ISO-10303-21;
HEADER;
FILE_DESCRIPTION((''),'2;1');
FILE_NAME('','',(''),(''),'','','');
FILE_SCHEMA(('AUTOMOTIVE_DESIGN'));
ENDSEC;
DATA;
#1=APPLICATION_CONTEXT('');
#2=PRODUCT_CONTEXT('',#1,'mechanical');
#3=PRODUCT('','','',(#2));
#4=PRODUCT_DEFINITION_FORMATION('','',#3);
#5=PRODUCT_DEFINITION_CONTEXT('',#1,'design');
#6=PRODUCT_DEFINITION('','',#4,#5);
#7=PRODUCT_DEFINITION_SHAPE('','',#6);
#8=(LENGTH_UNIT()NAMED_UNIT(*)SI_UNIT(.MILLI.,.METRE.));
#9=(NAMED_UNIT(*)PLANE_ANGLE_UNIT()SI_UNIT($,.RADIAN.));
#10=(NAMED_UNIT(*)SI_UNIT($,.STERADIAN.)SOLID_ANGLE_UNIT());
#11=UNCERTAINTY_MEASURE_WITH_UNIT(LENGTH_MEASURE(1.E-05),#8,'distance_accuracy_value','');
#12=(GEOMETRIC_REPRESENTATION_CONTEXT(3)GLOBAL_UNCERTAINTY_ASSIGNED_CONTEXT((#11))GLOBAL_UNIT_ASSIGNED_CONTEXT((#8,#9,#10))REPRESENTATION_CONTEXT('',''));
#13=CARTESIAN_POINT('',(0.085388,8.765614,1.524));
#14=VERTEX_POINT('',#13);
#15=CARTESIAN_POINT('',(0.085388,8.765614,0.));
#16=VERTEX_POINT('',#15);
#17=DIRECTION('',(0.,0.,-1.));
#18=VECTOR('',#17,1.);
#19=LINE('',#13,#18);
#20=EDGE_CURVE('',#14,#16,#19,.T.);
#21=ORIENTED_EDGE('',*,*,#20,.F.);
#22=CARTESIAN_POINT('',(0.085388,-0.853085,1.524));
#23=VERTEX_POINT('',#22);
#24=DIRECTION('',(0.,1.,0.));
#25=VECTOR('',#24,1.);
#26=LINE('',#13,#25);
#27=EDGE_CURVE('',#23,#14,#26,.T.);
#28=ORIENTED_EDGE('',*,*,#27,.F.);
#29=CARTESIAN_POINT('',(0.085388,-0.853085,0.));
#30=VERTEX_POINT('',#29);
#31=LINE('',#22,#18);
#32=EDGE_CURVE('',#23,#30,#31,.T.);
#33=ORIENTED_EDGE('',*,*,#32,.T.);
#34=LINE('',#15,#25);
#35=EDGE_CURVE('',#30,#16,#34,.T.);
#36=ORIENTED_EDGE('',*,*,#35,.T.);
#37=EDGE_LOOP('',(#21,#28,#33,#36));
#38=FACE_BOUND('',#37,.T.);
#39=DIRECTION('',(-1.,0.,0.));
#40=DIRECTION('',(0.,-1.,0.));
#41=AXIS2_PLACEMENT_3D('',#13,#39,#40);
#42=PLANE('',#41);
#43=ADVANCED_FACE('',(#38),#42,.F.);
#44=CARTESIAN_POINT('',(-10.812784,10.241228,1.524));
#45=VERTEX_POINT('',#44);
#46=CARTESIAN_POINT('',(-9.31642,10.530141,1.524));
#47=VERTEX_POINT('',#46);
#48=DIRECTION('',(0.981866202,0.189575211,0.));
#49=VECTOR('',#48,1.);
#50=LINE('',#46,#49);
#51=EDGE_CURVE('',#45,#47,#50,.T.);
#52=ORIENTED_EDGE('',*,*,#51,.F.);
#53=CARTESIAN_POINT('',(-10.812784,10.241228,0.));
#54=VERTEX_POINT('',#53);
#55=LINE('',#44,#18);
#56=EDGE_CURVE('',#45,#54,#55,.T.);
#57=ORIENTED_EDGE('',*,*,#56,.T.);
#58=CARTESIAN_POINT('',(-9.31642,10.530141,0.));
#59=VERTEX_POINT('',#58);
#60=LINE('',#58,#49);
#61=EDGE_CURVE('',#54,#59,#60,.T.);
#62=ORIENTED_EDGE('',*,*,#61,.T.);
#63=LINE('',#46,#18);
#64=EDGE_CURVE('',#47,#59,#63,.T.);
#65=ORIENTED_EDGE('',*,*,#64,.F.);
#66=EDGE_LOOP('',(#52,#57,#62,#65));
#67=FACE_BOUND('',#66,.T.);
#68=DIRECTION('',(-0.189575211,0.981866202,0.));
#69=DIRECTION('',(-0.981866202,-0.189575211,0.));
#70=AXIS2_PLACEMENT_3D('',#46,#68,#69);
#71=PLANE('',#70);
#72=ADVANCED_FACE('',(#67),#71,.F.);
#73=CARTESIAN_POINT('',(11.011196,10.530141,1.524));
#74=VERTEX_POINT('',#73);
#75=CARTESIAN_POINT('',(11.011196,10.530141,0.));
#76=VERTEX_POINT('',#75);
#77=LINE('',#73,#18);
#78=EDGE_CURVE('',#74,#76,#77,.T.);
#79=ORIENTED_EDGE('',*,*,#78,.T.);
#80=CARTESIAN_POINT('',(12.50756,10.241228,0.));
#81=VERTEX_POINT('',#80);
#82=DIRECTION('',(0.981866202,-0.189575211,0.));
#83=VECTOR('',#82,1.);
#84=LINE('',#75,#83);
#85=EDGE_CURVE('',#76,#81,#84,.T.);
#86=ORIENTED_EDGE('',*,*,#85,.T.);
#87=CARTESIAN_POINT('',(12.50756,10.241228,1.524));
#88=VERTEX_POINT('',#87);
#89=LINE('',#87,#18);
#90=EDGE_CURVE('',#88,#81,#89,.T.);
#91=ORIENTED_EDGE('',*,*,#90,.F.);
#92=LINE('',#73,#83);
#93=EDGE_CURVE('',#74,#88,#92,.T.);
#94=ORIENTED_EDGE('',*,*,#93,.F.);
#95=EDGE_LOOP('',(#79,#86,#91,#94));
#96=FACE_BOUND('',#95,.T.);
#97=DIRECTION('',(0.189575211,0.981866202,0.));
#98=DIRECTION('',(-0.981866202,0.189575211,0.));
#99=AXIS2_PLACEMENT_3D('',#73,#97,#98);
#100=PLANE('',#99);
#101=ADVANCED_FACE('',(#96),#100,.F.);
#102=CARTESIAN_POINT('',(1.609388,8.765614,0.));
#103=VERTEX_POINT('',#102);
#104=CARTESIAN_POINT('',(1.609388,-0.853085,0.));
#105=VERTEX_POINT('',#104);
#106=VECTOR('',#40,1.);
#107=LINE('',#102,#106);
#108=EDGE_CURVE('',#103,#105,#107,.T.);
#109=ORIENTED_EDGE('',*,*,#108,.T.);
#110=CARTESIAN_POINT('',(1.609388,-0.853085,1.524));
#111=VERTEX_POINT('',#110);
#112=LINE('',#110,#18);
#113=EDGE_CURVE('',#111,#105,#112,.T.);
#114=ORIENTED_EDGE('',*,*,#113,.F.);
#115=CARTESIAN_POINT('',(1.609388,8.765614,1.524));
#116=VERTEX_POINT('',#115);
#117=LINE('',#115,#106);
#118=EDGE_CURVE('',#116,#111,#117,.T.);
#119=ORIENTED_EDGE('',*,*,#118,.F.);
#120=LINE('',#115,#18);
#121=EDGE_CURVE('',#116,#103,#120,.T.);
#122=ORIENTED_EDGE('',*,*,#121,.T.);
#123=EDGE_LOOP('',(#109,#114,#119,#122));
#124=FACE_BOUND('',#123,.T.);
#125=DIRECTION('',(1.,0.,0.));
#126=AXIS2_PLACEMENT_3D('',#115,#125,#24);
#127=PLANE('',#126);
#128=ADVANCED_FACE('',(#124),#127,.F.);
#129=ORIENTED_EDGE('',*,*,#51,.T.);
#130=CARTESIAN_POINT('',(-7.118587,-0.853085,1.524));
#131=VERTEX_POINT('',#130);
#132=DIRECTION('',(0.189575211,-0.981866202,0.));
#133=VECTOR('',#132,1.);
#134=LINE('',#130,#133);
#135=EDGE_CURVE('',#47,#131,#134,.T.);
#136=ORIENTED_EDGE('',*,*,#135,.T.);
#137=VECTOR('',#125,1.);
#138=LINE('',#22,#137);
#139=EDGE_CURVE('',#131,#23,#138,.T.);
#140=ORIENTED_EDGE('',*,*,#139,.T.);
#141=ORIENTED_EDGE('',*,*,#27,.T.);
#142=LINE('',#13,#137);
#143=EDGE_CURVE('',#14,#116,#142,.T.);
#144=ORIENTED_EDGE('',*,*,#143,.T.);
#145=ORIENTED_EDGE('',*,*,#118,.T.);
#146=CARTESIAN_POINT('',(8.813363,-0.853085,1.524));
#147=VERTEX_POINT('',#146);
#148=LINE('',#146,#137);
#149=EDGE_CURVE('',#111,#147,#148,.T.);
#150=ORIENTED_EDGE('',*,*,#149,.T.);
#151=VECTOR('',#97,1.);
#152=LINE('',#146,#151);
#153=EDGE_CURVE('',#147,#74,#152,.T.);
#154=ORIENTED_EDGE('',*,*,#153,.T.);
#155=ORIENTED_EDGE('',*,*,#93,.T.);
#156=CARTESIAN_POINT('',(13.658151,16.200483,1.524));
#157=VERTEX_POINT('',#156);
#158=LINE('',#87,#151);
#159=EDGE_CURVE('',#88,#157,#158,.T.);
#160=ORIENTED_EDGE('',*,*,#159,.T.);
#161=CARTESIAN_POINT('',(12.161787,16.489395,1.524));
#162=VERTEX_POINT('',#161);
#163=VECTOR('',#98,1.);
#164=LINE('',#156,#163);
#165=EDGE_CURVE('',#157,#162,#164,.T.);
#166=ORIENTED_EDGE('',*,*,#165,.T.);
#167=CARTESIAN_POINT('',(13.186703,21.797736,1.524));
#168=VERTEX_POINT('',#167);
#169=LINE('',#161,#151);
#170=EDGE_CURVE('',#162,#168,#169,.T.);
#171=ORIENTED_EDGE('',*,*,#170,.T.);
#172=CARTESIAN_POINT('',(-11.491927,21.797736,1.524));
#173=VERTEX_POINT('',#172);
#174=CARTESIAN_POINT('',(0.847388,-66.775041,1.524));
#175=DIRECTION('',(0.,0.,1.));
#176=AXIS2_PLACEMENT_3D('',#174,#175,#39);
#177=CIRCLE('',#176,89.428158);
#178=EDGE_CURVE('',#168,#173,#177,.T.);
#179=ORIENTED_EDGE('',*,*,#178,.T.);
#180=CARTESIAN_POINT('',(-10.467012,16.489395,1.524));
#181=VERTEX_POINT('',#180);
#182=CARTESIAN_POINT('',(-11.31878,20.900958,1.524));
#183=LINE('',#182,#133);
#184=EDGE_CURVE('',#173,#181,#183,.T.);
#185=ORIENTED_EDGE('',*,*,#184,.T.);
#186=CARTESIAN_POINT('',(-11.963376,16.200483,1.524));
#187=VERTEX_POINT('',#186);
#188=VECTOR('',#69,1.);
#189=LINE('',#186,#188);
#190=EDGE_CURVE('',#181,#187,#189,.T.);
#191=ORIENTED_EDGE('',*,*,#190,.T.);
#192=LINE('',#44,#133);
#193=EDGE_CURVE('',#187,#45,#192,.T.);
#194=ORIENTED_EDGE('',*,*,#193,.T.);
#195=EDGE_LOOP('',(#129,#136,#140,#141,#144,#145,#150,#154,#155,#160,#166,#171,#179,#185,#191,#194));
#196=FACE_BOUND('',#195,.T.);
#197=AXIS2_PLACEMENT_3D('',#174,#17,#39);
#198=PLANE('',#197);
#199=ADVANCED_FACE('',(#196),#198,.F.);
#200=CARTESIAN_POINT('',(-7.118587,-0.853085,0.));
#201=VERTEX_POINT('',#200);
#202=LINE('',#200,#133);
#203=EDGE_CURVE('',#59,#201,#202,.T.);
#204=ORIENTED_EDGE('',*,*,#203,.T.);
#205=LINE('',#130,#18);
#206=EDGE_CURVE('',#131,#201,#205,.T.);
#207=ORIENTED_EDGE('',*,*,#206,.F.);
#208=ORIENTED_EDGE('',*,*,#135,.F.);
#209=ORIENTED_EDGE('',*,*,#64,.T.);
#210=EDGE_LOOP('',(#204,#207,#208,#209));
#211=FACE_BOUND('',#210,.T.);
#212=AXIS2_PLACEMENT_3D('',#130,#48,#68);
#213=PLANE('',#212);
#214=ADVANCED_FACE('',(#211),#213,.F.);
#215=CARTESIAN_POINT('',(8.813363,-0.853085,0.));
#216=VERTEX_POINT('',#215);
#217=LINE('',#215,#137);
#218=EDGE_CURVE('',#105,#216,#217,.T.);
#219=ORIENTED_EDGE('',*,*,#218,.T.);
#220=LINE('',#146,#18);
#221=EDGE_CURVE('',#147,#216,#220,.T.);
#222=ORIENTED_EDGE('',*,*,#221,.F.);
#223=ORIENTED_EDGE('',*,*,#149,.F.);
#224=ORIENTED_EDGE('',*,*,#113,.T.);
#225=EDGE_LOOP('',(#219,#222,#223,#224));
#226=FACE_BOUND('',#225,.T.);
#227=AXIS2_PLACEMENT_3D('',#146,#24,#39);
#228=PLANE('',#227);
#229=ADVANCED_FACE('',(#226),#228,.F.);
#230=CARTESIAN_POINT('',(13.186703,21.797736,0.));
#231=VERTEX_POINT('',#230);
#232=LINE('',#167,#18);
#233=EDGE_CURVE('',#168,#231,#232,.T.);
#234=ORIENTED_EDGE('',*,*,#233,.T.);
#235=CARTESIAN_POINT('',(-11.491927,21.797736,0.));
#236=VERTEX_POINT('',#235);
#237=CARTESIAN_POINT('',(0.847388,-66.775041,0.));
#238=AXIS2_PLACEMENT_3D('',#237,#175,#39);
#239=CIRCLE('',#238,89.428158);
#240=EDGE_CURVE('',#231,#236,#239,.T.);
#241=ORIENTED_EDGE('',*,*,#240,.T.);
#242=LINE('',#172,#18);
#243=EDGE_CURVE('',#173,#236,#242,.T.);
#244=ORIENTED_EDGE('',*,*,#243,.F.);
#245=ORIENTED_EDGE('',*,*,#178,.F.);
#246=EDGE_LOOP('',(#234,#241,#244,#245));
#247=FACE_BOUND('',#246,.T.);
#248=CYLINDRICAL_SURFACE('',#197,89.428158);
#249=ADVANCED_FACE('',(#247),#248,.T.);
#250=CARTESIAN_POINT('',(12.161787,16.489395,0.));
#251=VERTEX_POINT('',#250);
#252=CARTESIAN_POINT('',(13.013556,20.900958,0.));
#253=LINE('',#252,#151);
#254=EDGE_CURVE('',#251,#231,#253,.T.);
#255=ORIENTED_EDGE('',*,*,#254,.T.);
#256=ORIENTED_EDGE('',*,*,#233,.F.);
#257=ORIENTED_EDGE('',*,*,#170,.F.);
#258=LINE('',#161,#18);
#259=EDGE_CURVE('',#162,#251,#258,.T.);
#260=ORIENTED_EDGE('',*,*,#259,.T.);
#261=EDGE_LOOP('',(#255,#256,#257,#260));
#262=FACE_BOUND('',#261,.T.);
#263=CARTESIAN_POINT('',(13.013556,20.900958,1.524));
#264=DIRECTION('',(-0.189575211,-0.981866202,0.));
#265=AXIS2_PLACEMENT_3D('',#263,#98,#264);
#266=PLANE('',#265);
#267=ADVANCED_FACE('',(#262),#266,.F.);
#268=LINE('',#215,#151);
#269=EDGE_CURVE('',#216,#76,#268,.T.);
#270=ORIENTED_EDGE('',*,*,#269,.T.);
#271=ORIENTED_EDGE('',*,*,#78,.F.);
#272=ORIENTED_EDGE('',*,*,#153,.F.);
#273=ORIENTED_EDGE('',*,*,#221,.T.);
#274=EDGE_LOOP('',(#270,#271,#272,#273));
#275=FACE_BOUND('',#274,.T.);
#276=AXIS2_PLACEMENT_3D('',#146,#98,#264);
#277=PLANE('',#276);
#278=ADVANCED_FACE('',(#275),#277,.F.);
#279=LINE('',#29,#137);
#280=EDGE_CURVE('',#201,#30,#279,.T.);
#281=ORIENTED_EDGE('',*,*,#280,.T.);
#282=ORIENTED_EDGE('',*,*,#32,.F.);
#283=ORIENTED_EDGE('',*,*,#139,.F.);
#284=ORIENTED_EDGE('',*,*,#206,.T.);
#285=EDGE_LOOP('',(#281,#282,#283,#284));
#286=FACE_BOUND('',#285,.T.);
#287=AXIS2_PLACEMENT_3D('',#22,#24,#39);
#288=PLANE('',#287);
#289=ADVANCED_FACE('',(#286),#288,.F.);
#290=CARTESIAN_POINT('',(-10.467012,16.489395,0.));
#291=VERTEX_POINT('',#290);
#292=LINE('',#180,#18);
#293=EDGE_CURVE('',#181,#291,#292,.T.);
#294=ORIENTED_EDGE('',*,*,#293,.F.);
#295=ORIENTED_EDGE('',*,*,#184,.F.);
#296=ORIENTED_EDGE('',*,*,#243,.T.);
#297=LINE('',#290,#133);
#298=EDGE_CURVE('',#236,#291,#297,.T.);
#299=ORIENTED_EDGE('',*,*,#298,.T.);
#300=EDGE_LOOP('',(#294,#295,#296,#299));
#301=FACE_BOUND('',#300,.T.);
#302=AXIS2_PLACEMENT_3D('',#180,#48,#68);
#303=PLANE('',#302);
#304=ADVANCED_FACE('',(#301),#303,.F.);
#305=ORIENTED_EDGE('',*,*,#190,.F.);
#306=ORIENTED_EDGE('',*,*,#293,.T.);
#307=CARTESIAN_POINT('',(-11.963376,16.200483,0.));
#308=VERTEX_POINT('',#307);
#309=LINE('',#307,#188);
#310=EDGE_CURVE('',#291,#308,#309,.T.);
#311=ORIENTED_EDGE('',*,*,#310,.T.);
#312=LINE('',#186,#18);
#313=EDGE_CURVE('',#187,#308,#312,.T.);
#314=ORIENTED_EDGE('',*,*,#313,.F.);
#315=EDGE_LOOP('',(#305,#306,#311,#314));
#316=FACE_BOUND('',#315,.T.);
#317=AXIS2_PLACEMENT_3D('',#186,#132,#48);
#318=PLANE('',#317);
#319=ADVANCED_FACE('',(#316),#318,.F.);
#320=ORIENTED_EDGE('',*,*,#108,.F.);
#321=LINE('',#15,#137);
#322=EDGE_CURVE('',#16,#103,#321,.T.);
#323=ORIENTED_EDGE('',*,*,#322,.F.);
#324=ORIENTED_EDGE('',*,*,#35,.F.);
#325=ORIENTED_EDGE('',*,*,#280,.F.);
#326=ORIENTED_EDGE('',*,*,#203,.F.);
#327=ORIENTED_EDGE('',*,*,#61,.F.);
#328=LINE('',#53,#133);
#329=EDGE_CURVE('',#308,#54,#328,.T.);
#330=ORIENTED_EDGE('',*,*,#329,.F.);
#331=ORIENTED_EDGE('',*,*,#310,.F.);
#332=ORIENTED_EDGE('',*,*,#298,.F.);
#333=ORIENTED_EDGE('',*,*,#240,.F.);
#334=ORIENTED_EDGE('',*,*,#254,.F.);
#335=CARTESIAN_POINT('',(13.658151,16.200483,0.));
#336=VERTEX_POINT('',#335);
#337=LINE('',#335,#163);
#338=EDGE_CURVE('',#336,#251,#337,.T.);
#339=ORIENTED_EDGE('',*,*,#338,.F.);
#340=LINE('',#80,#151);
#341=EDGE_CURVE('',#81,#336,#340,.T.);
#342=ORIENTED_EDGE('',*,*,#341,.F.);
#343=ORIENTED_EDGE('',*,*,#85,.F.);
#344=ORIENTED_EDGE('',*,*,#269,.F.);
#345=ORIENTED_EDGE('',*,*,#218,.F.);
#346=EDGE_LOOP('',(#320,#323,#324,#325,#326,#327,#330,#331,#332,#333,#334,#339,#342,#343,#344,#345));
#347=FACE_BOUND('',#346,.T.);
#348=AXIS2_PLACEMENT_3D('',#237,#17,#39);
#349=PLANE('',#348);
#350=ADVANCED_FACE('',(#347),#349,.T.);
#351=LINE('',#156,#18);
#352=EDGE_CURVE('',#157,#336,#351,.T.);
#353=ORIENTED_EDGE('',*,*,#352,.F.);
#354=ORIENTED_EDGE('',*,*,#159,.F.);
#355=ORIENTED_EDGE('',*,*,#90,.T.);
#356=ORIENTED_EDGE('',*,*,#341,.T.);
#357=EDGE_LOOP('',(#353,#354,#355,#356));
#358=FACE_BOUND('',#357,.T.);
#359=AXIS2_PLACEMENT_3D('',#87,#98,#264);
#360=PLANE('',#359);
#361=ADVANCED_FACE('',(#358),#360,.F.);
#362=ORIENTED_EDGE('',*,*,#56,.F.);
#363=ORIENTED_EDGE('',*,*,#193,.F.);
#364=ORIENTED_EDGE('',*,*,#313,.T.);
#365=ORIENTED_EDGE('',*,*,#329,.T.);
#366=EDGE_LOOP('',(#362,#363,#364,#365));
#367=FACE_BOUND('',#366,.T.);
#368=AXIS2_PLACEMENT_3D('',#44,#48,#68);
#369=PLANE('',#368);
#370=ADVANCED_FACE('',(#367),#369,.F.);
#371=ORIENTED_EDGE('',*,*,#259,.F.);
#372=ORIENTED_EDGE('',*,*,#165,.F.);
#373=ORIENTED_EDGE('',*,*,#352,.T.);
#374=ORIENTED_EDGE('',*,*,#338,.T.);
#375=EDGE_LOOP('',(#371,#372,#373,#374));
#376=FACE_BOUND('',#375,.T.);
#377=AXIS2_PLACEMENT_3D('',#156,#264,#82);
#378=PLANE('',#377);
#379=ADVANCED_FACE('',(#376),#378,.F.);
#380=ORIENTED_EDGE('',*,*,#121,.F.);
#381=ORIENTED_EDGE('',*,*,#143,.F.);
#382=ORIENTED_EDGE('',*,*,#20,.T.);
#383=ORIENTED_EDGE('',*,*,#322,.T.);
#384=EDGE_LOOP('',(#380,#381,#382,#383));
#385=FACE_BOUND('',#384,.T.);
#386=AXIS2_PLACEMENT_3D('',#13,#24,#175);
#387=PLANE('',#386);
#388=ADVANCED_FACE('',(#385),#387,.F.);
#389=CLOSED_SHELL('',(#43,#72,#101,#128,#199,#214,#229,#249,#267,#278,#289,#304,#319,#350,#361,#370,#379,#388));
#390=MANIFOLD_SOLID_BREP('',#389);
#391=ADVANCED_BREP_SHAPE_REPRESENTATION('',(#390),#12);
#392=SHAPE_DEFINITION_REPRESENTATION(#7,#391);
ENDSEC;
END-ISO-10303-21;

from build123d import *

# Parameters (mm, degrees)
BOSS_EXTRUDE1_DEPTH = 1.524


with BuildPart() as part:
    # Sketch1 → Boss-Extrude1 (new body)
    with BuildSketch(Plane.XY):
        with BuildLine():
            Line((0.085387869, 8.76561387), (0.085387869, -0.853085355))
            Line((0.085387869, -0.853085355), (-7.118587452, -0.853085355))
            Line((-7.118587452, -0.853085355), (-9.316419949, 10.53014054))
            Line((-9.316419949, 10.53014054), (-10.812784042, 10.241227919))
            Line((-10.812784042, 10.241227919), (-11.963375606, 16.20048264))
            Line((-11.963375606, 16.20048264), (-10.467011514, 16.489395261))
            Line((-10.467011514, 16.489395261), (-11.318780173, 20.900957592))
            Line((-11.318780173, 20.900957592), (-11.491926915, 21.797735888))
            ThreePointArc((-11.491926915, 21.797735888), (0.847387869, 22.653117291), (13.186702652, 21.797735888))
            Line((13.186702652, 21.797735888), (13.01355591, 20.900957592))
            Line((13.01355591, 20.900957592), (12.161787251, 16.489395261))
            Line((12.161787251, 16.489395261), (13.658151343, 16.20048264))
            Line((13.658151343, 16.20048264), (12.507559779, 10.241227919))
            Line((12.507559779, 10.241227919), (11.011195687, 10.53014054))
            Line((11.011195687, 10.53014054), (8.813363189, -0.853085355))
            Line((8.813363189, -0.853085355), (1.609387869, -0.853085355))
            Line((1.609387869, -0.853085355), (1.609387869, 8.76561387))
            Line((1.609387869, 8.76561387), (0.085387869, 8.76561387))
        make_face()
    extrude(amount=BOSS_EXTRUDE1_DEPTH)


solid = part.part
